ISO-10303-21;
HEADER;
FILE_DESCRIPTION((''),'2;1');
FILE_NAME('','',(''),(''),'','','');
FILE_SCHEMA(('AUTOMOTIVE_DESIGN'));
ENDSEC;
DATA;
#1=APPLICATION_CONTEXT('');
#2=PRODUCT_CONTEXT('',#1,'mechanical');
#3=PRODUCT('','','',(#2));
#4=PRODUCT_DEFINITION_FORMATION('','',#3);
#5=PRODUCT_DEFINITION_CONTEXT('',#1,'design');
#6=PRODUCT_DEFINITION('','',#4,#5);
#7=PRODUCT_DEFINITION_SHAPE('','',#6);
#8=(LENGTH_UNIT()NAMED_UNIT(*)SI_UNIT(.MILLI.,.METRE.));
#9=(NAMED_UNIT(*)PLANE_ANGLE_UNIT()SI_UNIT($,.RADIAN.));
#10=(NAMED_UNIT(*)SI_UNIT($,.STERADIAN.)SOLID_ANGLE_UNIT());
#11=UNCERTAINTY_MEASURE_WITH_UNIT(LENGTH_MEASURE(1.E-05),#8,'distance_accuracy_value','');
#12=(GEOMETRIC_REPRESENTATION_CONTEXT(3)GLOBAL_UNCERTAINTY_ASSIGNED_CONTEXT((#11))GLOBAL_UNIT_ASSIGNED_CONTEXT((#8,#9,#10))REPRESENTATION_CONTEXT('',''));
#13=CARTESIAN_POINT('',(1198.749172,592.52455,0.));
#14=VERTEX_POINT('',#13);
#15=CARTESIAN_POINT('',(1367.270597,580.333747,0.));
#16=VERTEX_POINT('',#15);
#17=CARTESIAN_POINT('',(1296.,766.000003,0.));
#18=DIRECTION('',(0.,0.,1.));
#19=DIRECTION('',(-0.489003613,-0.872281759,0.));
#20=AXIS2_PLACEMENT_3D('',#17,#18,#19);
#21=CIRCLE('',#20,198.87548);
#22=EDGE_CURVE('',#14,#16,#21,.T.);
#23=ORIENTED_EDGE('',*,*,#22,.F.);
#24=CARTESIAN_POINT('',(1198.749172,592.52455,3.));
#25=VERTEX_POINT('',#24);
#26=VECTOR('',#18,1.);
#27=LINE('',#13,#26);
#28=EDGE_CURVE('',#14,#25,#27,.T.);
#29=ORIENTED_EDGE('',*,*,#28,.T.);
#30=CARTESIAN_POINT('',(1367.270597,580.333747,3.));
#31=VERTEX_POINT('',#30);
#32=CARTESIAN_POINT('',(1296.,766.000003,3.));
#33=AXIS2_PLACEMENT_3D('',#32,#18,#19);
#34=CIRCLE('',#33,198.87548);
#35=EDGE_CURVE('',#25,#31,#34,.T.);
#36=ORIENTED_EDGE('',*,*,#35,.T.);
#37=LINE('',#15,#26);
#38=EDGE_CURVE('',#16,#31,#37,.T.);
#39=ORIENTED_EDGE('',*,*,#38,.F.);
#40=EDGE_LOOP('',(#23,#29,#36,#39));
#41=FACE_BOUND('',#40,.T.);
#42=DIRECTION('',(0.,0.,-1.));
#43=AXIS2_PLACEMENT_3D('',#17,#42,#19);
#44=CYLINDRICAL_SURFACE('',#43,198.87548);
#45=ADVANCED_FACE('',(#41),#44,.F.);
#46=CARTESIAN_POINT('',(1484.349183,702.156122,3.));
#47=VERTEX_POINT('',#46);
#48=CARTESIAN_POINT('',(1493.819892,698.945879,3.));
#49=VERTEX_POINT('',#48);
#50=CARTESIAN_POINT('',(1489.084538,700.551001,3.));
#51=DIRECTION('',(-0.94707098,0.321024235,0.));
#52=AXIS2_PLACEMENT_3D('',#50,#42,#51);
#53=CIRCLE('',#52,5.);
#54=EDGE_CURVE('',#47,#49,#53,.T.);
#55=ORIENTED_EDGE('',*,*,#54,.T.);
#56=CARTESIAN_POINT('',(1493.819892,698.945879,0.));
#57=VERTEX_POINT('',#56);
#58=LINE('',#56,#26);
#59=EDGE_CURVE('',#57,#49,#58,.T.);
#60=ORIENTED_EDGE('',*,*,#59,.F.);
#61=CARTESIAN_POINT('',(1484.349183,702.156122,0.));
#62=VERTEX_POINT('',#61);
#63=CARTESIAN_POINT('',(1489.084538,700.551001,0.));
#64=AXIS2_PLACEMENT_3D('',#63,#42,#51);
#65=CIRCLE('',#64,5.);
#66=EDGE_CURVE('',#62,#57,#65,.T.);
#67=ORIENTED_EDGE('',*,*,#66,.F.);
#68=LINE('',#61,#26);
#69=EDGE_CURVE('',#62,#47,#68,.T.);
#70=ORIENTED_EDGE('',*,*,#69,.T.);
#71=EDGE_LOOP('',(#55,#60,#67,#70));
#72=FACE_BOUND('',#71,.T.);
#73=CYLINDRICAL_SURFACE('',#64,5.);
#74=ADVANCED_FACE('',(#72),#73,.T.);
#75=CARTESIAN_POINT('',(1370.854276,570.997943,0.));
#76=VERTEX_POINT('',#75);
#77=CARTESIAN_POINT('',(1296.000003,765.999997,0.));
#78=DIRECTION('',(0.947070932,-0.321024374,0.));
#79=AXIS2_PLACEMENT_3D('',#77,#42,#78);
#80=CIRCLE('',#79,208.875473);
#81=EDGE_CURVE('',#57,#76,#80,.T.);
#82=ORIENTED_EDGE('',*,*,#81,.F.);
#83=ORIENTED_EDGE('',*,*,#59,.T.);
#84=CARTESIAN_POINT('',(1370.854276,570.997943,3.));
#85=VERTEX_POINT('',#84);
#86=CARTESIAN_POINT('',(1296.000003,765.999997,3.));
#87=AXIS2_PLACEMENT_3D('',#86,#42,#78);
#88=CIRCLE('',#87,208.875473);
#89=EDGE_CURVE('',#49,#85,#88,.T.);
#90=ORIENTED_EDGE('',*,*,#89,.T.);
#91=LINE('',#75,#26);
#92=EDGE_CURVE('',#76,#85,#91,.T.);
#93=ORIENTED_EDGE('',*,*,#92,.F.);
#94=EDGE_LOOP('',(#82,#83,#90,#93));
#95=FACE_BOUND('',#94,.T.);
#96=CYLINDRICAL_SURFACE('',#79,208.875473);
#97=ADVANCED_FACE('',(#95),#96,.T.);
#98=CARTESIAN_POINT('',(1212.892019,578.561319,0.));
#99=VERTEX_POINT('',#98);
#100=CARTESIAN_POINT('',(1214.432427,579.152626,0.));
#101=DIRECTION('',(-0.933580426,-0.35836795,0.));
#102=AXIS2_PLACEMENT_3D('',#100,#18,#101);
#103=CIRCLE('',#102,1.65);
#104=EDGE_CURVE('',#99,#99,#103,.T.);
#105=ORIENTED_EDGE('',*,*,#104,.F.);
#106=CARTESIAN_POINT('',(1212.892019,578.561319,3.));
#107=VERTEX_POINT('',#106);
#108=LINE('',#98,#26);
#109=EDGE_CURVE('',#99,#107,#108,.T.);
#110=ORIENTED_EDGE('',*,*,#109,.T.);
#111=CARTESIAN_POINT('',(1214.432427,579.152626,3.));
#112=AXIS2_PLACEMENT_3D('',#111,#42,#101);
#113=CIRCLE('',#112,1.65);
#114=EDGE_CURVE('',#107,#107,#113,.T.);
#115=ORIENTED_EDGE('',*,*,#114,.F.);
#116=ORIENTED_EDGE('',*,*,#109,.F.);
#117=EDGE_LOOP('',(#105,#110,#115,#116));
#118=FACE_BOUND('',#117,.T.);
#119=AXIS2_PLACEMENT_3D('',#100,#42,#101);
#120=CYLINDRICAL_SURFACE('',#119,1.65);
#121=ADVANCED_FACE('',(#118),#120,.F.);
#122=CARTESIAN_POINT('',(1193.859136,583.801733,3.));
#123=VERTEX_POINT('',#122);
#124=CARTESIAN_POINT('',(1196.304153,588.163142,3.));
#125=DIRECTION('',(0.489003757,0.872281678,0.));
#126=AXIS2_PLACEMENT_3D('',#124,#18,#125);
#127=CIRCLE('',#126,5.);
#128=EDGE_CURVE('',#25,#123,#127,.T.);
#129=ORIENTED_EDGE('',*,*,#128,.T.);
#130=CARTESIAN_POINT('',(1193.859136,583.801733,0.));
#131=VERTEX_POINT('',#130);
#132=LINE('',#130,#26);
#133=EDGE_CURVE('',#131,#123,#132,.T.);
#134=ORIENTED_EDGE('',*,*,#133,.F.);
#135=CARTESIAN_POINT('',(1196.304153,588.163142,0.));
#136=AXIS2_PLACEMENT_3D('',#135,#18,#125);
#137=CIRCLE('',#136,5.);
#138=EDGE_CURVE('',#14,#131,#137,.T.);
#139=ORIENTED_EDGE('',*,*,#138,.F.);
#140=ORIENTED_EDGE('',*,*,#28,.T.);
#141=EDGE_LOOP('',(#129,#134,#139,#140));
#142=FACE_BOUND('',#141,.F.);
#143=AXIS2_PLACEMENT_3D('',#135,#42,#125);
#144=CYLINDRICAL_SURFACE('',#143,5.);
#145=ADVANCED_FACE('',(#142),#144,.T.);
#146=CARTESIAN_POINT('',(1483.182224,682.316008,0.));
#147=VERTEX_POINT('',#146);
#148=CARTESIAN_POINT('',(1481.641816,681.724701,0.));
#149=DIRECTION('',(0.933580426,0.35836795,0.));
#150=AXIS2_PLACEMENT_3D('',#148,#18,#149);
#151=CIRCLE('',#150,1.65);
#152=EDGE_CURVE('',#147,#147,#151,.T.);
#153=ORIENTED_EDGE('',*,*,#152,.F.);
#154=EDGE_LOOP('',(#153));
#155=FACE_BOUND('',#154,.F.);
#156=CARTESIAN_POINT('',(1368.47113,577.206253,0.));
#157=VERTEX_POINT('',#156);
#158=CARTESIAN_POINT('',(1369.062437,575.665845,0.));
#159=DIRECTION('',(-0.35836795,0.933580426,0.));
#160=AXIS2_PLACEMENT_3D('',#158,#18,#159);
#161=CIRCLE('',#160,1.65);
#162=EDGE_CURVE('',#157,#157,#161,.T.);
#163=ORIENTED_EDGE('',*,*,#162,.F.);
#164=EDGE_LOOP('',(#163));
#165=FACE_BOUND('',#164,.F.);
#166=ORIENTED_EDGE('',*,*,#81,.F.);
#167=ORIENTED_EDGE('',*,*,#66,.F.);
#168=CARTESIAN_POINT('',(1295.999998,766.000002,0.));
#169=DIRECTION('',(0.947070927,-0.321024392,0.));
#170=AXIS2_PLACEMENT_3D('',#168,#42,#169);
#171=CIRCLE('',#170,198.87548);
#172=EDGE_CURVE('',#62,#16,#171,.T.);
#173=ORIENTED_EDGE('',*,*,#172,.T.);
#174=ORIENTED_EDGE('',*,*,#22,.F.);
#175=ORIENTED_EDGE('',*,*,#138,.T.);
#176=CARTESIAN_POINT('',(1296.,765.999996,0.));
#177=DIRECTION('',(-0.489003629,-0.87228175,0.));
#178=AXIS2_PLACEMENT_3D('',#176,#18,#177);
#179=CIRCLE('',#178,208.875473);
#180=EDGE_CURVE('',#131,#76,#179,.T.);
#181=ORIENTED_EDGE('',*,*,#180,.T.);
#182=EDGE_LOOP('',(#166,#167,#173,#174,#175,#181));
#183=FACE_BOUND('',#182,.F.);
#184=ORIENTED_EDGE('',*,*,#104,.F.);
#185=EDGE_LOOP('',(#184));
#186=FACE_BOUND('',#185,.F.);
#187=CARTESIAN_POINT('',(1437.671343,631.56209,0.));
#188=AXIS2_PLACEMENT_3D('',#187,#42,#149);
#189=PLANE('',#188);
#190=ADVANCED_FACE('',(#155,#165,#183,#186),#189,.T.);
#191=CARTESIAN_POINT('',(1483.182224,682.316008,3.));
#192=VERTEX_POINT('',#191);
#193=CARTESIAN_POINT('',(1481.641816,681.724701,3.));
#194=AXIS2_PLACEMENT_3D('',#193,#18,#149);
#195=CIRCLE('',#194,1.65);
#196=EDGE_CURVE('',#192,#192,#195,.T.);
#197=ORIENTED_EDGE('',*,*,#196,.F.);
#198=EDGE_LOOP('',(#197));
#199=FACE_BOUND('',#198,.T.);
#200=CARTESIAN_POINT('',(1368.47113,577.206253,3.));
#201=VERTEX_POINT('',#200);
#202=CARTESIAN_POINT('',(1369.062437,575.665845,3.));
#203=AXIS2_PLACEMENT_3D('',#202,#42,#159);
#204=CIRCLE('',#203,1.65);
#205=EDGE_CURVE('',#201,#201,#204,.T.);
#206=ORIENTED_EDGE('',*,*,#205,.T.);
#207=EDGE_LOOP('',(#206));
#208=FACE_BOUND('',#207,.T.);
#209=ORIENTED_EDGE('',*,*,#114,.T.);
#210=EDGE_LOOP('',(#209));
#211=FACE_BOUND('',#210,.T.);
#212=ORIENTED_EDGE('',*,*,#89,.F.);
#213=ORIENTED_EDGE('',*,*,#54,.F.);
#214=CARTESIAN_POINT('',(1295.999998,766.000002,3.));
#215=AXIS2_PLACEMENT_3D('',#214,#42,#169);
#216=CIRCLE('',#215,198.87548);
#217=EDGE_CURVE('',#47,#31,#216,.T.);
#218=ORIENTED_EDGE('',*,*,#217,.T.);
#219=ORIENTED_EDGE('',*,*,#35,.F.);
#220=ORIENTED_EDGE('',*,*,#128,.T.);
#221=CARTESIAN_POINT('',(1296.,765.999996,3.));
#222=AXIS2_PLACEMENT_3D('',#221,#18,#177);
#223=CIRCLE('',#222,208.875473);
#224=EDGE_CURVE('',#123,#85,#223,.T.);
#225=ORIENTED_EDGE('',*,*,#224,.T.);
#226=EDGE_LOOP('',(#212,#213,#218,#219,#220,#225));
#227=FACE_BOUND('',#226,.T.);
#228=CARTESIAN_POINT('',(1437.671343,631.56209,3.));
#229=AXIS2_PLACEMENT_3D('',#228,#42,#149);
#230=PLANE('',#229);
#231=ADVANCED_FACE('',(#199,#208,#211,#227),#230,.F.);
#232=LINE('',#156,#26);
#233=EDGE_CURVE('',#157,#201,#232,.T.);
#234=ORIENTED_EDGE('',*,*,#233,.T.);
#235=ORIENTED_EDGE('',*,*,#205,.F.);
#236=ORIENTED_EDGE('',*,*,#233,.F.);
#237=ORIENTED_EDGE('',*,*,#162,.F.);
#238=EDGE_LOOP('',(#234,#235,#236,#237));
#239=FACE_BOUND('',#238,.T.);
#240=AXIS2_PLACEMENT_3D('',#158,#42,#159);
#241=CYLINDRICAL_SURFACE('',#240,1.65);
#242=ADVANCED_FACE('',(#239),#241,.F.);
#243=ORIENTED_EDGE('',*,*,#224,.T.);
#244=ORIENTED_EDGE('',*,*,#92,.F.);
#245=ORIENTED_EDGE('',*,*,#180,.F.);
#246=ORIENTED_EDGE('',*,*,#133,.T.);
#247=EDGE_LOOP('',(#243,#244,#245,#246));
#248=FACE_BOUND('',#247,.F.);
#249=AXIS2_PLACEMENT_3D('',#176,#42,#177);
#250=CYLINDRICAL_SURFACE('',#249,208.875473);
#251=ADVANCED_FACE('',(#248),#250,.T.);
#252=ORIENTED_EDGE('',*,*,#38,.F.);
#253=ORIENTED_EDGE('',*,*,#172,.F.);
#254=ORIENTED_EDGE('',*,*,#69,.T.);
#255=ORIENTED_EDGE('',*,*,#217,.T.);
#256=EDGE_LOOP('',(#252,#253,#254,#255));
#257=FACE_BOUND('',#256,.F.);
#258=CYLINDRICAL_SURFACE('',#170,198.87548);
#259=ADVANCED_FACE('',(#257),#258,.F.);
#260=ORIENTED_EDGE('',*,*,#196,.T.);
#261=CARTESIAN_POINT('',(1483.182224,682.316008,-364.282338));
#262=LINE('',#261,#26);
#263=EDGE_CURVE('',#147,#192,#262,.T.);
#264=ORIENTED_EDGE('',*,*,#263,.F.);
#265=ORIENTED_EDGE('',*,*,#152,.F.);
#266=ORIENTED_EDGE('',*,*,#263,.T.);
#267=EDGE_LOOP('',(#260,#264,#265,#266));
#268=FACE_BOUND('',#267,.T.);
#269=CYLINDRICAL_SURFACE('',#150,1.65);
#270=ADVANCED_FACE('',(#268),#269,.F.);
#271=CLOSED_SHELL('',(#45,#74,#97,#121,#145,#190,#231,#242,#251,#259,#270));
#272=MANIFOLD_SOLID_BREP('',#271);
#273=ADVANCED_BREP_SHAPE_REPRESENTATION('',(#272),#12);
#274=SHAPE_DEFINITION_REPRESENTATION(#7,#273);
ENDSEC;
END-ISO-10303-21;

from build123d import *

# Parameters (mm, degrees)
PAD014_DEPTH                        = 3
SKETCH055_R                         = 1.65
POCKET019_DEPTH                     = 364.282338
POCKET019_DEPTH_BACK                = 367.282338
BODY001003005003003_PLACEMENT_ANGLE = 60
CLONE_PLACEMENT_ANGLE               = 141


with BuildPart() as part:
    # Sketch052 → Pad014 (new body)
    with BuildSketch(Plane.XY):
        with BuildLine():
            ThreePointArc((152.959511, 127.101705), (84.480895, 180.040089), (0, 198.875477))
            Line((0, 198.875477), (0, 208.875477))
            ThreePointArc((160.650731, 133.492724), (88.728824, 189.092995), (0, 208.875477))
            ThreePointArc((152.959511, 127.101705), (160.000631, 126.451604), (160.650731, 133.492724))
        make_face()
    pad014 = extrude(amount=PAD014_DEPTH)

    # Sketch055 → Pocket019 (cut, two sides)
    with BuildSketch(Plane.XY) as pocket019_sk:
        with Locations((143.11, 145.205847)):
            Circle(SKETCH055_R)
        with BuildLine():
            Line((0, 202.225477), (0, 205.525477))
            ThreePointArc((0, 202.225477), (1.65, 203.875477), (0, 205.525477))
        make_face()
    pocket019 = extrude(amount=-POCKET019_DEPTH, mode=Mode.SUBTRACT) + extrude(pocket019_sk.sketch, amount=POCKET019_DEPTH_BACK, mode=Mode.SUBTRACT)

    # Mirrored019: Pad014, Pocket019 across Sketch052 V_Axis
    add(pad014.mirror(Plane(origin=(0, 0, 0), x_dir=(0, 0, 1), z_dir=(1, 0, 0))))
    add(pocket019.mirror(Plane(origin=(0, 0, 0), x_dir=(0, 0, 1), z_dir=(1, 0, 0))), mode=Mode.SUBTRACT)


with BuildPart() as part_1:
    # Body001003005003003 placement: moved
    add(part.part.rotate(Axis((0, 0, 0), (0, 0, 1)), BODY001003005003003_PLACEMENT_ANGLE))


with BuildPart() as part_2:
    # Clone placement: moved
    add(part_1.part.moved(Location((1296, 766, 0))).rotate(Axis((1296, 766, 0), (0, 0, 1)), CLONE_PLACEMENT_ANGLE))


solid = part_2.part
